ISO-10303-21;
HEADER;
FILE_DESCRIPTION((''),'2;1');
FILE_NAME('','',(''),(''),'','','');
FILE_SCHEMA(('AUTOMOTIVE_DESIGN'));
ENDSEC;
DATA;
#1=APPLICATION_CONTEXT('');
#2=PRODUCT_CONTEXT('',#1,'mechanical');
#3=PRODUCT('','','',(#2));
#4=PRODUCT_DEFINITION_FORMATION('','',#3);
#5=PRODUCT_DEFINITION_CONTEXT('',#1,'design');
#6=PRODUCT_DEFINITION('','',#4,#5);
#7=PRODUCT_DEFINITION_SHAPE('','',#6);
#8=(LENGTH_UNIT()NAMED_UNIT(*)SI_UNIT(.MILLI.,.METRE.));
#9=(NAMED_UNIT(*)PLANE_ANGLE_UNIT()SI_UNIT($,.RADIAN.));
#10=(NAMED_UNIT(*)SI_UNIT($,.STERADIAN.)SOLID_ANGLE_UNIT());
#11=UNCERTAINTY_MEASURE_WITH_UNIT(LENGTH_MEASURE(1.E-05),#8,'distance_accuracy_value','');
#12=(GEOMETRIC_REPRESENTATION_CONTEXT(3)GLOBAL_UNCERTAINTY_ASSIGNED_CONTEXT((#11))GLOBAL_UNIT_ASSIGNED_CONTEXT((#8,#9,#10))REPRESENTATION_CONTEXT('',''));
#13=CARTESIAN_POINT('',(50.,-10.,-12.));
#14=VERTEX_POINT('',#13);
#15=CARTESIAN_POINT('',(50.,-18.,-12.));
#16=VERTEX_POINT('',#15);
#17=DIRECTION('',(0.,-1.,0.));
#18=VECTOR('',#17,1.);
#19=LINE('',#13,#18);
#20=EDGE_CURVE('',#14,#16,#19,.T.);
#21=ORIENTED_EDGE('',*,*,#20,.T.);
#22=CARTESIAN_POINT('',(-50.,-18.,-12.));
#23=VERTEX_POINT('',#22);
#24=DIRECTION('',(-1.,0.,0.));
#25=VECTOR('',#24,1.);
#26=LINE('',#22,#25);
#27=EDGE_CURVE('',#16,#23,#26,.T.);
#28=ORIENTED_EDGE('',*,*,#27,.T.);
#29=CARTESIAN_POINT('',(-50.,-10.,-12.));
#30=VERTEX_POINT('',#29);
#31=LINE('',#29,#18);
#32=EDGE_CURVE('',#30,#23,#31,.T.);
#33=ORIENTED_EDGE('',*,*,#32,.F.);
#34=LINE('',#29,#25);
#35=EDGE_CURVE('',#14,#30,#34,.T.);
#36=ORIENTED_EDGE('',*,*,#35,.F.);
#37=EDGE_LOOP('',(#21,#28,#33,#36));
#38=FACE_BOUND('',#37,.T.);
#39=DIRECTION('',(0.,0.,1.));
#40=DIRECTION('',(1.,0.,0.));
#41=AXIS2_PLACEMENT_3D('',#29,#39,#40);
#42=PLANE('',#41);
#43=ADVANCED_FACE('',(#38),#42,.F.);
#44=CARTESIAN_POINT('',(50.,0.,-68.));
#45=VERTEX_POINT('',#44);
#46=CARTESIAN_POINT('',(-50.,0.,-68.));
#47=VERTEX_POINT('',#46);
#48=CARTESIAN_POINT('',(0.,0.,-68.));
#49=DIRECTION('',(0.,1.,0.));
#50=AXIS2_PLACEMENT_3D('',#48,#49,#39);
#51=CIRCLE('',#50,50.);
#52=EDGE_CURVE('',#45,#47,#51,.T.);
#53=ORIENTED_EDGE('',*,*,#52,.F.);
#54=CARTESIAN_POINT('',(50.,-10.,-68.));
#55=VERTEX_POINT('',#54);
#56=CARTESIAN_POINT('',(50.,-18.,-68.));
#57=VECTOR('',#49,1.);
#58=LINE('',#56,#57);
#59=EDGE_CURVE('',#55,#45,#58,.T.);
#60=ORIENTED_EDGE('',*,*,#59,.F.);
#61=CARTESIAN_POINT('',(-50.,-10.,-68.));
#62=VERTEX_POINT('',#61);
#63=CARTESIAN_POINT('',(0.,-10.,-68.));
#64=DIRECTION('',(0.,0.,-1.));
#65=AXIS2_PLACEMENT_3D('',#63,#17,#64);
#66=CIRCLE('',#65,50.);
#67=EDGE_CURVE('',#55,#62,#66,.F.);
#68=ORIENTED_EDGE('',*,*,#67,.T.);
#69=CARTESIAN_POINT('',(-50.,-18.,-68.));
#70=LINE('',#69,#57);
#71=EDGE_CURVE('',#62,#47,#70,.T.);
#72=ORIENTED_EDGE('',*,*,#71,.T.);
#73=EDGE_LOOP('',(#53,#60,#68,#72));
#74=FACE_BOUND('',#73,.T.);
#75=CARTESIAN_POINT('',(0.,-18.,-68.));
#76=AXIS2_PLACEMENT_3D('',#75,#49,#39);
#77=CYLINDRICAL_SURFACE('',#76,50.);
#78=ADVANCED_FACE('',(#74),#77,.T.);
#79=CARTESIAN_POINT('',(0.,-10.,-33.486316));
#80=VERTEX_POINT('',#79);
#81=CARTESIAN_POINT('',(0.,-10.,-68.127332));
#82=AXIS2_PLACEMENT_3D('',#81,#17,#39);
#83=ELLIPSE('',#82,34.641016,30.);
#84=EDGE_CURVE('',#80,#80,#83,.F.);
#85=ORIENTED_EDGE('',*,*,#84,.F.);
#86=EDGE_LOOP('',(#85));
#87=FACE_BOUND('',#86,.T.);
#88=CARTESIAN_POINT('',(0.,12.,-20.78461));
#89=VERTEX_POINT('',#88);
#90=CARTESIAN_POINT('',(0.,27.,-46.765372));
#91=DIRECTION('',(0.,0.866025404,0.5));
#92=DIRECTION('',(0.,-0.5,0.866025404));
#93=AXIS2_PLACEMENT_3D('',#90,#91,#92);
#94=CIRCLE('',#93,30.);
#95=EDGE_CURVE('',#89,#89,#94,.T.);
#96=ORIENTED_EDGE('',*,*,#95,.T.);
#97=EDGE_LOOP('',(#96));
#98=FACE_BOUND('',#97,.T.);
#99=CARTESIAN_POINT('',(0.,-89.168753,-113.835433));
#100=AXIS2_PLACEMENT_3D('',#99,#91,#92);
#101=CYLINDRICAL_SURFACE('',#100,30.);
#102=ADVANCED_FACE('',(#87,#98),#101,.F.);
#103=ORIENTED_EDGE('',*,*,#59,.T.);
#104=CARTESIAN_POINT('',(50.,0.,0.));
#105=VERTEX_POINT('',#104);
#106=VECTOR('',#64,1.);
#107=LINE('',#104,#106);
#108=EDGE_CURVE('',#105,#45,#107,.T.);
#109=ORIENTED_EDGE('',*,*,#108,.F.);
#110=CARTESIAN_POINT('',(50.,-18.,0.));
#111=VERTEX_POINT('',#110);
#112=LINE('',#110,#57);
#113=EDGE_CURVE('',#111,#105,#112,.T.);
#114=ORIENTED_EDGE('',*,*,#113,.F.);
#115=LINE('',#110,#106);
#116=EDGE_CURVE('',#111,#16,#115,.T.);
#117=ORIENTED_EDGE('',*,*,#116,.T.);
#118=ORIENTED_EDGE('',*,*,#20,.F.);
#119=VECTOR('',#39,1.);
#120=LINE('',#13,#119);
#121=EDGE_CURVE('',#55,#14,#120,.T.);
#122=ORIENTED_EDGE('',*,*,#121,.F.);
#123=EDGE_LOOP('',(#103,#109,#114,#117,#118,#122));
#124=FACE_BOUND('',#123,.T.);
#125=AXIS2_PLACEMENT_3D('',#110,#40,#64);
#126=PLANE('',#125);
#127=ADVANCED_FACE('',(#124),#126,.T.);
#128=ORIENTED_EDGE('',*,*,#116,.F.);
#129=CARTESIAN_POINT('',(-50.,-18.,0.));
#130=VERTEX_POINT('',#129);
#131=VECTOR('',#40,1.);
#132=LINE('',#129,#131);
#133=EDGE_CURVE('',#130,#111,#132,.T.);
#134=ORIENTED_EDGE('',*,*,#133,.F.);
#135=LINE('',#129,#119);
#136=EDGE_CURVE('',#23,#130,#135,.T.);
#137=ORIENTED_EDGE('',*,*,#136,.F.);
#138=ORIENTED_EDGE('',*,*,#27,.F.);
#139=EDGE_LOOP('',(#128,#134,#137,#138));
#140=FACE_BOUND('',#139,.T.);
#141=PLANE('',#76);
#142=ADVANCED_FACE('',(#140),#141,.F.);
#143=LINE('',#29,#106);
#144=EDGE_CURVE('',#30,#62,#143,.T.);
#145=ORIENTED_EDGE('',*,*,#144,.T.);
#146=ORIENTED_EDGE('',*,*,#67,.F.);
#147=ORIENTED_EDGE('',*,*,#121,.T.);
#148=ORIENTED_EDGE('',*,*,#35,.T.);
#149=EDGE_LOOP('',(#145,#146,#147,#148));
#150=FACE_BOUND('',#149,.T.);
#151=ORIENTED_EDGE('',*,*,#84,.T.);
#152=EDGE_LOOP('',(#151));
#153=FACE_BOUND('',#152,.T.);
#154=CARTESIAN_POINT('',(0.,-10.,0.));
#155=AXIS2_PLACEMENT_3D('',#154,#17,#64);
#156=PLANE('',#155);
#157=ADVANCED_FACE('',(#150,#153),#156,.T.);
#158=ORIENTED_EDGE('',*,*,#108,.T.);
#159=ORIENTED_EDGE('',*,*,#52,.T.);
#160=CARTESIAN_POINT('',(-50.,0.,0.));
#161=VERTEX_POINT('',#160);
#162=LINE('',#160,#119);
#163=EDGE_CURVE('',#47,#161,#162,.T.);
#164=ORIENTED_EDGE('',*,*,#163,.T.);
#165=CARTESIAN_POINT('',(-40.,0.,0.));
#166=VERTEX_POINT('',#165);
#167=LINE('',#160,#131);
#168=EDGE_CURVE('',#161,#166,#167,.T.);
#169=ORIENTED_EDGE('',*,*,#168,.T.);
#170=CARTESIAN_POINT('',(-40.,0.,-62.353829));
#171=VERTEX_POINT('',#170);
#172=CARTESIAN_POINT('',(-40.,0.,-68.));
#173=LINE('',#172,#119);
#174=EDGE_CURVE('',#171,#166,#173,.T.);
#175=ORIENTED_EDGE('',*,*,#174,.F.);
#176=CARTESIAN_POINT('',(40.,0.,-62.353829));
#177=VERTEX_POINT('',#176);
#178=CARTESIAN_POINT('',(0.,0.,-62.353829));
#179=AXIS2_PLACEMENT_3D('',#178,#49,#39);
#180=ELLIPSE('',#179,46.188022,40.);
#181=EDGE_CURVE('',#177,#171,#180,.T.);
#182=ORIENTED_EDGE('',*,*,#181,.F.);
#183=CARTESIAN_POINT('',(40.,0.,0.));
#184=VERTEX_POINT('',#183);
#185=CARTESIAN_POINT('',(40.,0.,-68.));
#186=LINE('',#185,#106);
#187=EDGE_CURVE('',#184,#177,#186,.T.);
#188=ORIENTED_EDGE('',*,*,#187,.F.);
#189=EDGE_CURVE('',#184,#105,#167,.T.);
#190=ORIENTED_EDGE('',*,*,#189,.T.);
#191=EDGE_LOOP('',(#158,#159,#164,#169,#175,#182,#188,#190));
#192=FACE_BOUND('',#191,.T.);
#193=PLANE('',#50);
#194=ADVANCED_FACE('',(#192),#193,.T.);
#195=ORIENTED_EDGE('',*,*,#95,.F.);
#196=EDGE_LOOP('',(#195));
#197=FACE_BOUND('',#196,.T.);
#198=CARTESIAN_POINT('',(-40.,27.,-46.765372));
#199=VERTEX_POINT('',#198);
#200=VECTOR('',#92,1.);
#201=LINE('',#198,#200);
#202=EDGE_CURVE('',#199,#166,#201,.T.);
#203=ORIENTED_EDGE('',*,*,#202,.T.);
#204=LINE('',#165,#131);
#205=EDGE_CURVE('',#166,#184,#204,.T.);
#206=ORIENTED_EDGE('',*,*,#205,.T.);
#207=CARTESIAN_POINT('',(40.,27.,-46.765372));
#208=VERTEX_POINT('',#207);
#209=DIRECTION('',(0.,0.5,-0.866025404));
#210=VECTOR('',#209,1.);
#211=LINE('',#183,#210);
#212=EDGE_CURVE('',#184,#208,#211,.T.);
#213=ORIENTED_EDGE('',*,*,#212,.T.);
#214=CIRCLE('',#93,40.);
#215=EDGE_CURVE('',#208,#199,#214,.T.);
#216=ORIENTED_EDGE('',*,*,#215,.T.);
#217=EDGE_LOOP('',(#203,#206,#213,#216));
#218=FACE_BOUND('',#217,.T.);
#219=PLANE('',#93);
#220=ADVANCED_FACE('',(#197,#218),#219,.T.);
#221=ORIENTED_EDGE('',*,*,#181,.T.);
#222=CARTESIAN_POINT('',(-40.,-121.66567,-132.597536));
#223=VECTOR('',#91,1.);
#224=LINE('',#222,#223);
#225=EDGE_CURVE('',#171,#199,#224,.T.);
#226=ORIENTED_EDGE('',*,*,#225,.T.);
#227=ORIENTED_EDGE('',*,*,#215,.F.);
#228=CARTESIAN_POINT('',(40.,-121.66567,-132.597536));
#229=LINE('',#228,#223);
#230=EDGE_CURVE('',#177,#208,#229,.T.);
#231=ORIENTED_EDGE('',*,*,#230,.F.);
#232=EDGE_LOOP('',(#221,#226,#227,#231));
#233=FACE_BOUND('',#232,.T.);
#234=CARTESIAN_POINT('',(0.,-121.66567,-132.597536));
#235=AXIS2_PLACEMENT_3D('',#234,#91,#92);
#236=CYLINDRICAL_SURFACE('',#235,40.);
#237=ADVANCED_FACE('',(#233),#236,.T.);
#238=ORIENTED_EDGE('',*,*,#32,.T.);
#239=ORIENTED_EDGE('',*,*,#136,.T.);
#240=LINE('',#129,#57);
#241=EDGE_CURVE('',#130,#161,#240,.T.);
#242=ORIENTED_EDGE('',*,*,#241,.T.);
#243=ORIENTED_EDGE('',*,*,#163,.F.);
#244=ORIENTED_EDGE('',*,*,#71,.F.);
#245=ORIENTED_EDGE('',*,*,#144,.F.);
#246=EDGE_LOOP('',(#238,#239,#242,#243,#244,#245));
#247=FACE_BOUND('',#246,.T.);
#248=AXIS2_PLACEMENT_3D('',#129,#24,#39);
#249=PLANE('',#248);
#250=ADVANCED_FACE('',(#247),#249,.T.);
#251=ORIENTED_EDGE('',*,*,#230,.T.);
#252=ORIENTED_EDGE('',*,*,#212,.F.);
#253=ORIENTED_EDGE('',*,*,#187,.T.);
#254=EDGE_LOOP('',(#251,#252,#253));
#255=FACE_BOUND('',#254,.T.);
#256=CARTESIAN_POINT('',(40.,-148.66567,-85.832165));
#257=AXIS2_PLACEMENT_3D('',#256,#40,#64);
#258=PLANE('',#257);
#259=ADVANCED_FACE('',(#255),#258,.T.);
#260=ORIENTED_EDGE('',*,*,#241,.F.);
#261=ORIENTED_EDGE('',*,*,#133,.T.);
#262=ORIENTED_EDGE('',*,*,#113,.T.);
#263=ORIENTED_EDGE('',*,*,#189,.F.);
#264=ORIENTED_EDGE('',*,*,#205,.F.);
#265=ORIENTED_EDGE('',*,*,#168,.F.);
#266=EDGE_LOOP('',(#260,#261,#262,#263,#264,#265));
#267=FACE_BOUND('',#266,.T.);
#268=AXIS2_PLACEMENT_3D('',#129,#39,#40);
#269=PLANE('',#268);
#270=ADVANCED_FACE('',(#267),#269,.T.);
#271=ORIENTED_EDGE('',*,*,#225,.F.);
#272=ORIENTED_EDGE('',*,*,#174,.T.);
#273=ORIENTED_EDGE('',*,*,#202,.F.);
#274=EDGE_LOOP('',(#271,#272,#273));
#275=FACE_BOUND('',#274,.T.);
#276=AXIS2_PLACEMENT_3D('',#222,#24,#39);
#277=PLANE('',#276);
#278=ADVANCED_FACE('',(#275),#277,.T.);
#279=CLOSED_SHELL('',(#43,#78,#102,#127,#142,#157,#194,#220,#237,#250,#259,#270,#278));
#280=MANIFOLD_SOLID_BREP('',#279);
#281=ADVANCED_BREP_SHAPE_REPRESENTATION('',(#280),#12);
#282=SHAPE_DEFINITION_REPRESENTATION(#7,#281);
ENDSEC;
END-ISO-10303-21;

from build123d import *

# Parameters (mm, degrees)
EXTRUDE_3_DEPTH     = 18
SKETCH_8_W          = 100
SKETCH_8_H          = 106
CUT_EXTRUDE_1_DEPTH = 8
EXTRUDE_5_REACH     = 98.125
CUT_EXTRUDE_2_REACH = 98.125
SKETCH_18_R         = 30


with BuildPart() as part:
    # 草圖7 → 填料-伸長3 (new body)
    with BuildSketch(Plane(origin=(0, 0, 0), x_dir=(1, 0, 0), z_dir=(0, 1, 0))):
        with BuildLine():
            Line((-50, 0), (50, 0))
            Line((50, 0), (50, 68))
            ThreePointArc((50, 68), (0, 118), (-50, 68))
            Line((-50, 68), (-50, 0))
        make_face()
    extrude(amount=-EXTRUDE_3_DEPTH)

    # 草圖8 → 除料-伸長1 (cut)
    with BuildSketch(Plane.XZ.offset(18)):
        with Locations((0, -65)):
            Rectangle(SKETCH_8_W, SKETCH_8_H)
    extrude(amount=-CUT_EXTRUDE_1_DEPTH, mode=Mode.SUBTRACT)

    # 填料-伸長5: up to this face of the body (flat: up to its plane)
    extrude_5_end = Plane(part.part.faces().sort_by_distance((0, -10, -60.288575892))[0])
    # 草圖16 → 填料-伸長5 (add, up to the picked face)
    with BuildSketch(Plane(origin=(0, 29.444863729, -51), x_dir=(1, 0, 0), z_dir=(0, 0.866025403784436, 0.5000000000000044)), mode=Mode.PRIVATE) as extrude_5_sk1:
        with BuildLine():
            Line((-40, -58.889727457), (40, -58.889727457))
            Line((40, -58.889727457), (40, -4.889727457))
            ThreePointArc((40, -4.889727457), (0, 35.110272543), (-40, -4.889727457))
            Line((-40, -4.889727457), (-40, -58.889727457))
        make_face()
    extrude_5_tool1 = split(extrude(extrude_5_sk1.sketch, amount=-EXTRUDE_5_REACH, mode=Mode.PRIVATE), bisect_by=extrude_5_end, keep=Keep.BOTH, mode=Mode.PRIVATE)
    add(extrude_5_tool1.solids().sort_by(Axis((0, 21.58727, -37.390249), (0, -0.866025403784436, -0.5000000000000044)))[0])

    # 除料-伸長2: up to this plane
    cut_extrude_2_end = Plane(origin=(0, -10, 0), z_dir=(0, -1, 0))
    # 草圖18 → 除料-伸長2 (cut, up to the surface)
    with BuildSketch(Plane(origin=(0, 29.444863729, -51), x_dir=(1, 0, 0), z_dir=(0, 0.866025403784436, 0.5000000000000044)), mode=Mode.PRIVATE) as cut_extrude_2_sk1:
        with Locations(Location((0, -4.889727457, 0), (0, 0, 270))):
            Circle(SKETCH_18_R)
    cut_extrude_2_tool1 = split(extrude(cut_extrude_2_sk1.sketch, amount=-CUT_EXTRUDE_2_REACH, mode=Mode.PRIVATE), bisect_by=cut_extrude_2_end, keep=Keep.BOTH, mode=Mode.PRIVATE)
    add(cut_extrude_2_tool1.solids().sort_by_distance((0, 27, -46.765372))[0], mode=Mode.SUBTRACT)


solid = part.part
